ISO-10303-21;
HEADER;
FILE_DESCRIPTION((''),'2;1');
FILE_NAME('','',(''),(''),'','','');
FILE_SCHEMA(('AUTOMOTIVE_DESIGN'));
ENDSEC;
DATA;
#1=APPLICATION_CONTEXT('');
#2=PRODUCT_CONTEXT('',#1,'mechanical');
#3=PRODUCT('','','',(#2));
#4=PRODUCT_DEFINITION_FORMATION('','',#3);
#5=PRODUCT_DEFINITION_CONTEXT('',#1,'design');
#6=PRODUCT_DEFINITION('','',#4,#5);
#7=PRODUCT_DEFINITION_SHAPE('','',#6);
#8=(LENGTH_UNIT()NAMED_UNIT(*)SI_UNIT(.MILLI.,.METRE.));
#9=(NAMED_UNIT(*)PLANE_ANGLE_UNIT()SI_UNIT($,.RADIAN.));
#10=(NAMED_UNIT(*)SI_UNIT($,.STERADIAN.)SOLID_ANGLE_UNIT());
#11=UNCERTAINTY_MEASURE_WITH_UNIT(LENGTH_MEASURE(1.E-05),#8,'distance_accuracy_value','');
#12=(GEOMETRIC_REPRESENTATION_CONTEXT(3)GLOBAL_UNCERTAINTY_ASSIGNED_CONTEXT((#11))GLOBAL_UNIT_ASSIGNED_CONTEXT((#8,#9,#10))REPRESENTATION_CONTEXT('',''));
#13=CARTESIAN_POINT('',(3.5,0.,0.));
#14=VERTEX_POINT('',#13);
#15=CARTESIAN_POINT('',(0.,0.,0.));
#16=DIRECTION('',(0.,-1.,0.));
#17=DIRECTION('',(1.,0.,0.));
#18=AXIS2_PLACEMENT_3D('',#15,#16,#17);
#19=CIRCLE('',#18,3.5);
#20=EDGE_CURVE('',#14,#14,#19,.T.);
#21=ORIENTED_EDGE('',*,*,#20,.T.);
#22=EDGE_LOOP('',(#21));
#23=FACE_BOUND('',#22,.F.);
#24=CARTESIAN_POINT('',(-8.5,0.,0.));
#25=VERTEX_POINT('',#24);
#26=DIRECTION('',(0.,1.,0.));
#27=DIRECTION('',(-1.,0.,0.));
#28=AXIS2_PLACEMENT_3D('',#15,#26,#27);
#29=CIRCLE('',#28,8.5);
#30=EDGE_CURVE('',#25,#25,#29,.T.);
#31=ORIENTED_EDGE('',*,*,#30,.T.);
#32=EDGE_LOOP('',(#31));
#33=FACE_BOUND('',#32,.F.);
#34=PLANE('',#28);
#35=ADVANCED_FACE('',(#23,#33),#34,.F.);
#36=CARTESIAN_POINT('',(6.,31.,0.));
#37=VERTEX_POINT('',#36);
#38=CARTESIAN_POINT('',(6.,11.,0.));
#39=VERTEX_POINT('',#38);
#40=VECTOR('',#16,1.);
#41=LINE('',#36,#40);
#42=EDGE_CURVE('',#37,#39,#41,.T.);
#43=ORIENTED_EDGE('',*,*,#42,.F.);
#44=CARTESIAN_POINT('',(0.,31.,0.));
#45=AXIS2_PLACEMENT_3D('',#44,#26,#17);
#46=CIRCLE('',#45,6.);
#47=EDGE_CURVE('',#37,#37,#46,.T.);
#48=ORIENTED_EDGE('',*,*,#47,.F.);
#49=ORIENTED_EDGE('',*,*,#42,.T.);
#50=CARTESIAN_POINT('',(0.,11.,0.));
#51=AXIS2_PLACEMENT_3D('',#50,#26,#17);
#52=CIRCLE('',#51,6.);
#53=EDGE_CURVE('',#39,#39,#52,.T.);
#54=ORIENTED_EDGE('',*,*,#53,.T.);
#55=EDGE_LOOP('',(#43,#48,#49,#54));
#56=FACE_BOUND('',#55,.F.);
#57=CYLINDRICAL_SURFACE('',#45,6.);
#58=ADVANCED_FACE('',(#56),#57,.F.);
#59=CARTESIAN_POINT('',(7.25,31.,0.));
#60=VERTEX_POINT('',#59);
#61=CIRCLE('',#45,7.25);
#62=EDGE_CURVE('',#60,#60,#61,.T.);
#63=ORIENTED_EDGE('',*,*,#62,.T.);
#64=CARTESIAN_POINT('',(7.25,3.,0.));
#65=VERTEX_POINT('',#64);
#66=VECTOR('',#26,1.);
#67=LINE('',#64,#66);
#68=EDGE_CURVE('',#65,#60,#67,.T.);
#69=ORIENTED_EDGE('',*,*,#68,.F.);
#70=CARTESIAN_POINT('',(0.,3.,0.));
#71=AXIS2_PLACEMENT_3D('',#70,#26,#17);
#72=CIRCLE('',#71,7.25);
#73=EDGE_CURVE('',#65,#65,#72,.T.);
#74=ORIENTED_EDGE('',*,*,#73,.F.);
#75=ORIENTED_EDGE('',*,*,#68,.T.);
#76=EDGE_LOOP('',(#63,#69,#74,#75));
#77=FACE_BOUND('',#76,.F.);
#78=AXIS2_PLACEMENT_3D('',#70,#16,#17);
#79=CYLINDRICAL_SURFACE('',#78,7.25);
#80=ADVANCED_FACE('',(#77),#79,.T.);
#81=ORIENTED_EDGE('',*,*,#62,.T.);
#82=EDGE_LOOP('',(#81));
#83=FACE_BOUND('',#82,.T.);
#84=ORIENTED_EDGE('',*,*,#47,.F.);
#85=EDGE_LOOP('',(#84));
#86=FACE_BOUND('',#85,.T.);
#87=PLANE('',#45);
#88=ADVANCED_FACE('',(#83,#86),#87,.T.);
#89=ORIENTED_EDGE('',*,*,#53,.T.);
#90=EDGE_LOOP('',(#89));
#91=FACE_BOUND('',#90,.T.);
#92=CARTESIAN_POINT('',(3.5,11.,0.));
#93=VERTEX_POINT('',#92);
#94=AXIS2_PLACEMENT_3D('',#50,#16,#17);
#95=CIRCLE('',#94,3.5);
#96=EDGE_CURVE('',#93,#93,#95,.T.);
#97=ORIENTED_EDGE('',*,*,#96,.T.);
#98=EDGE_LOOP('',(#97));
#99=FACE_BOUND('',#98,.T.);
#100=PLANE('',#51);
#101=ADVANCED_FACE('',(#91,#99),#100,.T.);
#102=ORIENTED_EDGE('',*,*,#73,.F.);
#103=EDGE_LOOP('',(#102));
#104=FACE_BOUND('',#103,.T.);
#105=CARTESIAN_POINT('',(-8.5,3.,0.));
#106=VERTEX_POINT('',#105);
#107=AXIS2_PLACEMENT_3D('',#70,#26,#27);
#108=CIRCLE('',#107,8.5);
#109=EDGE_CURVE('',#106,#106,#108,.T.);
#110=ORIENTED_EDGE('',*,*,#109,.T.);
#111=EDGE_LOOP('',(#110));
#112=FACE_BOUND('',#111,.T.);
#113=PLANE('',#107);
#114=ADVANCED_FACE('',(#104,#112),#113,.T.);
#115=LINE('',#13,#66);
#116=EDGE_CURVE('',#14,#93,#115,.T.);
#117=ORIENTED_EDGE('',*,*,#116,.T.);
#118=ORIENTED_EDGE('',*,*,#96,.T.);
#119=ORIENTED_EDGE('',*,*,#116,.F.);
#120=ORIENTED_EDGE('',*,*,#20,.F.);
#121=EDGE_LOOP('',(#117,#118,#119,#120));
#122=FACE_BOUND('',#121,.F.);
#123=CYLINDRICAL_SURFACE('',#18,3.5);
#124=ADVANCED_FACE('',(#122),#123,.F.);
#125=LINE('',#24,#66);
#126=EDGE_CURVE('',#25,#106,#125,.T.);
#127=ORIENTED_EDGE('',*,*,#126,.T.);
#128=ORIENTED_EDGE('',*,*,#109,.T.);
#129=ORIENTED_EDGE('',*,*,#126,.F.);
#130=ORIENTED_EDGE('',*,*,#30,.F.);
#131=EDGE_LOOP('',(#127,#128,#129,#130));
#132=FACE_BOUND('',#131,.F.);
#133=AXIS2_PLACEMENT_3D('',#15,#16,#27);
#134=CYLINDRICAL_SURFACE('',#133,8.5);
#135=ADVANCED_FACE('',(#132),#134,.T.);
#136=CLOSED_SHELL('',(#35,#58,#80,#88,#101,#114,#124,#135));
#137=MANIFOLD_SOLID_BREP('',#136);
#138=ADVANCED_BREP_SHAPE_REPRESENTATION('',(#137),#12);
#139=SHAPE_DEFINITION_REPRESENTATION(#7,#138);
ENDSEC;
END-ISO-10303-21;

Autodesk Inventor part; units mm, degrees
ref_plane "YZ Plane" through (0, 0, 0) normal (1, 0, 0) x (0, 1, 0)
ref_plane "XZ Plane" through (0, 0, 0) normal (0, 1, 0) x (-1, 0, 0)
ref_plane "XY Plane" through (0, 0, 0) normal (0, 0, 1) x (1, 0, 0)
sketch "Sketch1" plane through (0, 0, 0) normal (0, 1, 0) x (-1, 0, 0)
  circle A0 centre (0, 0) radius 8.5
  dimension "d0" = 17
extrude "Extrusion1" add sketch "Sketch1" along normal blind 3
sketch "Sketch2" plane through (0, 3, 0) normal (0, 1, 0) x (1, 0, 0)
  circle A0 centre (0, 0) radius 7.25
  dimension "d3" = 14.5
extrude "Extrusion2" add sketch "Sketch2" along normal blind 28
sketch "Sketch3" plane through (0, 31, 0) normal (0, 1, 0) x (1, 0, 0)
  circle A0 centre (0, 0) radius 6
  dimension "d6" = 12
extrude "Extrusion3" cut sketch "Sketch3" against normal blind 20
sketch "Sketch4" plane through (0, 0, 0) normal (0, -1, 0) x (1, 0, 0)
  circle A0 centre (0, 0) radius 3.5
  dimension "d10" = 7
extrude "Extrusion4" cut sketch "Sketch4" against normal blind 30.25
sketch "Sketch5" plane through (0, 31, 0) normal (0, 1, 0) x (1, 0, 0)
  point P0 (0, 0)
equation "\"BendRadius\" = Thickness"
equation "\"BendReliefWidth\" = Thickness"
equation "\"BendReliefDepth\" = 0.5 * Thickness"
equation "\"CornerReliefSize\" = 4 * Thickness"
equation "\"MinimumRemnant\" = 2 * Thickness"
equation "\"TransitionRadius\" = BendRadius"
equation "\"JacobiRadiusSize\" = BendRadius"
equation "\"GapSize\" = Thickness"
equation "\"Thickness\" = 0.5"
properties part number "Tornillo Caja 1"
